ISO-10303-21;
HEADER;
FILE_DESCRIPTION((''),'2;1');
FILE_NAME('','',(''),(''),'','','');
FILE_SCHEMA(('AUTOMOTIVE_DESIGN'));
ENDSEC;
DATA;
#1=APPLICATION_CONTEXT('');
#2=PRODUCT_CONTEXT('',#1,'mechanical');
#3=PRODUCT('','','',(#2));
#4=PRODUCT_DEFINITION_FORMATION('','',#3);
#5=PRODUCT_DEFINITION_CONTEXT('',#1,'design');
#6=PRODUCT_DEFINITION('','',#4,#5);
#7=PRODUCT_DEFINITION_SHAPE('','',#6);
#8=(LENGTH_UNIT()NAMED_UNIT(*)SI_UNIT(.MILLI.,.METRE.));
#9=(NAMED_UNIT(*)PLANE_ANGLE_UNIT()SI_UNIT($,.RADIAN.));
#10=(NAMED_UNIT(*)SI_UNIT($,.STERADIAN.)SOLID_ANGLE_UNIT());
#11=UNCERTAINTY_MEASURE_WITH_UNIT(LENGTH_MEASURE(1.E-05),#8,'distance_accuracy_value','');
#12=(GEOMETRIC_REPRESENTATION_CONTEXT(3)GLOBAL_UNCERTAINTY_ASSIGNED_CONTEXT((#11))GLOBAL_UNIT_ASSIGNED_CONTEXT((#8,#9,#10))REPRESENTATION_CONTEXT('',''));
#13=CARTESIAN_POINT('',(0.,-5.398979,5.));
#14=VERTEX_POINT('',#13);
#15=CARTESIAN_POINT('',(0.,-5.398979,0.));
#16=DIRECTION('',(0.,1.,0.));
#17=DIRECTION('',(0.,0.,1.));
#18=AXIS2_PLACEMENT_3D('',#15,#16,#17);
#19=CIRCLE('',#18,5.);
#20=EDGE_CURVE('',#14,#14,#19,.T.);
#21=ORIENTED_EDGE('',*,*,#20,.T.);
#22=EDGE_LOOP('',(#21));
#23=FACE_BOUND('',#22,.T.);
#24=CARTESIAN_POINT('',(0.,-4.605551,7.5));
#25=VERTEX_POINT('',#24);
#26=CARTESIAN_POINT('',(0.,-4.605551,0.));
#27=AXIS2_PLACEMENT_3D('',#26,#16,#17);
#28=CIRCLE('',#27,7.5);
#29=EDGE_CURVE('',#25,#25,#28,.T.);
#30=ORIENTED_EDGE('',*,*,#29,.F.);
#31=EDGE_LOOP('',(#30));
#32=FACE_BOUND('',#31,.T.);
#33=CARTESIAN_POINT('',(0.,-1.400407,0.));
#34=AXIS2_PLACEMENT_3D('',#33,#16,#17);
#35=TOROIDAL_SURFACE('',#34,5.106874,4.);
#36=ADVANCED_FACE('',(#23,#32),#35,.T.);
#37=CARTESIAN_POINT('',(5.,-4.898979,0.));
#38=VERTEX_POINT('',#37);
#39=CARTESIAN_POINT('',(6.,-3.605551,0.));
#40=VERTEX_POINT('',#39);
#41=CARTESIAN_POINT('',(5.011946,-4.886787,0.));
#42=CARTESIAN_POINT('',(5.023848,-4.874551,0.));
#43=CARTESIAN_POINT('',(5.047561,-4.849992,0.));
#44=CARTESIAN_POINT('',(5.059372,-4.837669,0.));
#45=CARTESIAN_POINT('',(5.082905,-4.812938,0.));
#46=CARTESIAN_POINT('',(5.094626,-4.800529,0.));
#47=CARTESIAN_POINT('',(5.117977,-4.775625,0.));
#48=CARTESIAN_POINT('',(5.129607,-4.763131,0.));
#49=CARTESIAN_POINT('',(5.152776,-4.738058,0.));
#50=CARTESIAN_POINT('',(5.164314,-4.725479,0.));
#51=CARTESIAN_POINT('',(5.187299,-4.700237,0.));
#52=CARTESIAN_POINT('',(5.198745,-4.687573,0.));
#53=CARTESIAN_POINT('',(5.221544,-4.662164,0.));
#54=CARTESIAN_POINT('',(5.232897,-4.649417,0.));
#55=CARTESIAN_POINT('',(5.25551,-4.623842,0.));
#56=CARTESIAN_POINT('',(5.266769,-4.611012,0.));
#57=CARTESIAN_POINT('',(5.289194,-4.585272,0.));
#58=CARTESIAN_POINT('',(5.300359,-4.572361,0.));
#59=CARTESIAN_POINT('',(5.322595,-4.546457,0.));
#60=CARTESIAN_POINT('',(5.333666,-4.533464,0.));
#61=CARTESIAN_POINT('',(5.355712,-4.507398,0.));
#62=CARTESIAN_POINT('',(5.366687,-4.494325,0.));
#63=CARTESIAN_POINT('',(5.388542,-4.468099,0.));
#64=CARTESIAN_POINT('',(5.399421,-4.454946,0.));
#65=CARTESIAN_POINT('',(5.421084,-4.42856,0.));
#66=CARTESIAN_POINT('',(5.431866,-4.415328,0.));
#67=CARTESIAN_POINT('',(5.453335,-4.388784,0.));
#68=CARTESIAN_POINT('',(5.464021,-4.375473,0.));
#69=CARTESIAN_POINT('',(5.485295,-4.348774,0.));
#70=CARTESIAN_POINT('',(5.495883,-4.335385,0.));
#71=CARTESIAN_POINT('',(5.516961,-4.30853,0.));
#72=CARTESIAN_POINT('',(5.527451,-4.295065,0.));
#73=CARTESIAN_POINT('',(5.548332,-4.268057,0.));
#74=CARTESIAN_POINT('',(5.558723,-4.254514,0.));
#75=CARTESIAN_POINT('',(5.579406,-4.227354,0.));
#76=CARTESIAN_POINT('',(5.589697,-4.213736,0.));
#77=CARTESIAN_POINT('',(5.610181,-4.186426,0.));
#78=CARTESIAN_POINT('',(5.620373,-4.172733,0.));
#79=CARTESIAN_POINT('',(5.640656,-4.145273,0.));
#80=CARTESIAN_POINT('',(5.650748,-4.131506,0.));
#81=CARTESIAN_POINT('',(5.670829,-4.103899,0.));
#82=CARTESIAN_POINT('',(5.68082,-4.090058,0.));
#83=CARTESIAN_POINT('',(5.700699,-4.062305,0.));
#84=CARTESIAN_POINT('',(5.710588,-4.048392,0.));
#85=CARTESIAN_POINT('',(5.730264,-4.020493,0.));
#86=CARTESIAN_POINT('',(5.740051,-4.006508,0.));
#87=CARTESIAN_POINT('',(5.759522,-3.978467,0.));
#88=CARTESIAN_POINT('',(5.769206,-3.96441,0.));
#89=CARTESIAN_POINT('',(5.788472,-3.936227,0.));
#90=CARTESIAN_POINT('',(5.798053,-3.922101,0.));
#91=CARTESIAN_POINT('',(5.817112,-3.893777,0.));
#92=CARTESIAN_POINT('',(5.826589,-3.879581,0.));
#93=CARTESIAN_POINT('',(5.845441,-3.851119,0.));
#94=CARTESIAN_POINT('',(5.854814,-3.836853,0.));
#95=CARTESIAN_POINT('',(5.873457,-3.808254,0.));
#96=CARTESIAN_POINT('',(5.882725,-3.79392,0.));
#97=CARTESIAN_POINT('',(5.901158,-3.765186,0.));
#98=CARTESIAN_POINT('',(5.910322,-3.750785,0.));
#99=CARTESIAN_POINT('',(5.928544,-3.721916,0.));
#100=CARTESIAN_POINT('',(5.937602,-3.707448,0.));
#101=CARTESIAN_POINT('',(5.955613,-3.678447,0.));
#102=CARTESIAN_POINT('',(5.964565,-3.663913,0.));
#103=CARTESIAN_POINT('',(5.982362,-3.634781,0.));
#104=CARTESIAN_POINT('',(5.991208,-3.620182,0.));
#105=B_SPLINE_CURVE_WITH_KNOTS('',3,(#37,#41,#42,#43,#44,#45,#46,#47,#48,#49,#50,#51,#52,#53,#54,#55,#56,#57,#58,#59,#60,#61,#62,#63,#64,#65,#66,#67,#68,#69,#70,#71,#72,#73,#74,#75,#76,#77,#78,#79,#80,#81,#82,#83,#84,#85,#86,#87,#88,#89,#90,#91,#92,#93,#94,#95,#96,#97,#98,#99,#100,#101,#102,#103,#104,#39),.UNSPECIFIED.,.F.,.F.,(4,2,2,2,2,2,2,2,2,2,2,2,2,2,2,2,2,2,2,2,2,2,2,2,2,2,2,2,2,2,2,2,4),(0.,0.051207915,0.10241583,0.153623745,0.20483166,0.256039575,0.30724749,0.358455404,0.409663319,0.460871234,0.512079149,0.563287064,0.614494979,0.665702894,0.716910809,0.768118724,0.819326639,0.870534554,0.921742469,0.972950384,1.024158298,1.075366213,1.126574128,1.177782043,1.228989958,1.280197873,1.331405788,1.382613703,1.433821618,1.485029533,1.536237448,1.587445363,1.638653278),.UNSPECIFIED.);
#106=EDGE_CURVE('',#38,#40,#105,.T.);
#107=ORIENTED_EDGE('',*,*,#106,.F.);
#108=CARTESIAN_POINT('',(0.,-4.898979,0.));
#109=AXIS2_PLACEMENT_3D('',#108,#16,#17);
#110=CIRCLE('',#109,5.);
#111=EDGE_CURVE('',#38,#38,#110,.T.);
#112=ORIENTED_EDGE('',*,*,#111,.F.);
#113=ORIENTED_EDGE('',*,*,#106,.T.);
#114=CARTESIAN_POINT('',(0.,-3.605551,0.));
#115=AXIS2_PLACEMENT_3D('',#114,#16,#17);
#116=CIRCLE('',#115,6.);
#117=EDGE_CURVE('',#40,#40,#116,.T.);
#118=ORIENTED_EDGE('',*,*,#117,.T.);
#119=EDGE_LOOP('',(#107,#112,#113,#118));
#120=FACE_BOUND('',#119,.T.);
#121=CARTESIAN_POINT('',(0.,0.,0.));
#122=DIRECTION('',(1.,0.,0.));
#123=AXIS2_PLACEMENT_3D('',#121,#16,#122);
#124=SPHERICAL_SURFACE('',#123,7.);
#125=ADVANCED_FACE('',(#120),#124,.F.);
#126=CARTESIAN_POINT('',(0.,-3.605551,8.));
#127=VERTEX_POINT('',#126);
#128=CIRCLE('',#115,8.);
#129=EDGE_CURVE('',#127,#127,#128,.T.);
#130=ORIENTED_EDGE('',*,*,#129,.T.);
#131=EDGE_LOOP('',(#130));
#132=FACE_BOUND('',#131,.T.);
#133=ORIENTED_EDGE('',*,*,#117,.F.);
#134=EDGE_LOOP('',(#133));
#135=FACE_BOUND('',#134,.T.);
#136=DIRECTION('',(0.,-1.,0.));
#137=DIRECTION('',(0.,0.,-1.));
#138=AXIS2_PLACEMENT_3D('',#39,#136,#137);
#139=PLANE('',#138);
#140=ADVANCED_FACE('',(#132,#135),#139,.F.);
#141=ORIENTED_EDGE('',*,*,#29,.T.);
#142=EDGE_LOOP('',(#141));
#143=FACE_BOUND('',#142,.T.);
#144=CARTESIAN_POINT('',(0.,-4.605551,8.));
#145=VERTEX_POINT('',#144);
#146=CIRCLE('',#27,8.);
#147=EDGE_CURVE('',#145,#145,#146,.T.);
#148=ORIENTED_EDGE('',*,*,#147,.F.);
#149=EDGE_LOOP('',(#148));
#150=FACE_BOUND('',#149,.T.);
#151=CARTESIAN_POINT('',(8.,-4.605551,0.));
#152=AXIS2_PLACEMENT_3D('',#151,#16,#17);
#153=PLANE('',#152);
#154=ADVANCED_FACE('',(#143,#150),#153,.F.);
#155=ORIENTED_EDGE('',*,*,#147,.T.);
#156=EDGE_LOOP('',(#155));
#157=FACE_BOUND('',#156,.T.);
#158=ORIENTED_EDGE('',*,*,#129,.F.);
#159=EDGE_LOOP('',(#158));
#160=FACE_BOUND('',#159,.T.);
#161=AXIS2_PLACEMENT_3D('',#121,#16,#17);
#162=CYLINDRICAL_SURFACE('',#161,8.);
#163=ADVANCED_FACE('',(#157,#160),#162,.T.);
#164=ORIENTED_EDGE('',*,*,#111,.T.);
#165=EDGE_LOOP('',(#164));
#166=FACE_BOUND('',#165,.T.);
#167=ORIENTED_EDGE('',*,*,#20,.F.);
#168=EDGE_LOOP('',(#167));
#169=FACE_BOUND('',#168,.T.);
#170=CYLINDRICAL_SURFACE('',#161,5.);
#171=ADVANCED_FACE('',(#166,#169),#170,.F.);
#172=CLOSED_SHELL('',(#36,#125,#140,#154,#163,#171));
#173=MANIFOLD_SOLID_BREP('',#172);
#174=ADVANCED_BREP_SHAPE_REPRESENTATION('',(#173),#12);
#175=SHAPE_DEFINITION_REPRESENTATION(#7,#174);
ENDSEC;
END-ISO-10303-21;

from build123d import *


with BuildPart() as part:
    # Esquisse1 → Révolution1 (revolve)
    with BuildSketch(Plane.XY, mode=Mode.PRIVATE) as r_volution1_sk:
        with BuildLine():
            Line((6, -3.605551275), (8, -3.605551275))
            Line((8, -3.605551275), (8, -4.605551275))
            Line((8, -4.605551275), (7.5, -4.605551275))
            ThreePointArc((7.5, -4.605551275), (6.316881892, -5.213002441), (5, -5.398979486))
            Line((5, -5.398979486), (5, -4.898979486))
            ThreePointArc((5, -4.898979486), (5.537891217, -4.281560564), (6, -3.605551275))
        make_face()
    revolve(r_volution1_sk.sketch.rotate(Axis((0, 0, 0), (0, -1, 0)), 90), axis=Axis((0, 0, 0), (0, -1, 0)))


solid = part.part
